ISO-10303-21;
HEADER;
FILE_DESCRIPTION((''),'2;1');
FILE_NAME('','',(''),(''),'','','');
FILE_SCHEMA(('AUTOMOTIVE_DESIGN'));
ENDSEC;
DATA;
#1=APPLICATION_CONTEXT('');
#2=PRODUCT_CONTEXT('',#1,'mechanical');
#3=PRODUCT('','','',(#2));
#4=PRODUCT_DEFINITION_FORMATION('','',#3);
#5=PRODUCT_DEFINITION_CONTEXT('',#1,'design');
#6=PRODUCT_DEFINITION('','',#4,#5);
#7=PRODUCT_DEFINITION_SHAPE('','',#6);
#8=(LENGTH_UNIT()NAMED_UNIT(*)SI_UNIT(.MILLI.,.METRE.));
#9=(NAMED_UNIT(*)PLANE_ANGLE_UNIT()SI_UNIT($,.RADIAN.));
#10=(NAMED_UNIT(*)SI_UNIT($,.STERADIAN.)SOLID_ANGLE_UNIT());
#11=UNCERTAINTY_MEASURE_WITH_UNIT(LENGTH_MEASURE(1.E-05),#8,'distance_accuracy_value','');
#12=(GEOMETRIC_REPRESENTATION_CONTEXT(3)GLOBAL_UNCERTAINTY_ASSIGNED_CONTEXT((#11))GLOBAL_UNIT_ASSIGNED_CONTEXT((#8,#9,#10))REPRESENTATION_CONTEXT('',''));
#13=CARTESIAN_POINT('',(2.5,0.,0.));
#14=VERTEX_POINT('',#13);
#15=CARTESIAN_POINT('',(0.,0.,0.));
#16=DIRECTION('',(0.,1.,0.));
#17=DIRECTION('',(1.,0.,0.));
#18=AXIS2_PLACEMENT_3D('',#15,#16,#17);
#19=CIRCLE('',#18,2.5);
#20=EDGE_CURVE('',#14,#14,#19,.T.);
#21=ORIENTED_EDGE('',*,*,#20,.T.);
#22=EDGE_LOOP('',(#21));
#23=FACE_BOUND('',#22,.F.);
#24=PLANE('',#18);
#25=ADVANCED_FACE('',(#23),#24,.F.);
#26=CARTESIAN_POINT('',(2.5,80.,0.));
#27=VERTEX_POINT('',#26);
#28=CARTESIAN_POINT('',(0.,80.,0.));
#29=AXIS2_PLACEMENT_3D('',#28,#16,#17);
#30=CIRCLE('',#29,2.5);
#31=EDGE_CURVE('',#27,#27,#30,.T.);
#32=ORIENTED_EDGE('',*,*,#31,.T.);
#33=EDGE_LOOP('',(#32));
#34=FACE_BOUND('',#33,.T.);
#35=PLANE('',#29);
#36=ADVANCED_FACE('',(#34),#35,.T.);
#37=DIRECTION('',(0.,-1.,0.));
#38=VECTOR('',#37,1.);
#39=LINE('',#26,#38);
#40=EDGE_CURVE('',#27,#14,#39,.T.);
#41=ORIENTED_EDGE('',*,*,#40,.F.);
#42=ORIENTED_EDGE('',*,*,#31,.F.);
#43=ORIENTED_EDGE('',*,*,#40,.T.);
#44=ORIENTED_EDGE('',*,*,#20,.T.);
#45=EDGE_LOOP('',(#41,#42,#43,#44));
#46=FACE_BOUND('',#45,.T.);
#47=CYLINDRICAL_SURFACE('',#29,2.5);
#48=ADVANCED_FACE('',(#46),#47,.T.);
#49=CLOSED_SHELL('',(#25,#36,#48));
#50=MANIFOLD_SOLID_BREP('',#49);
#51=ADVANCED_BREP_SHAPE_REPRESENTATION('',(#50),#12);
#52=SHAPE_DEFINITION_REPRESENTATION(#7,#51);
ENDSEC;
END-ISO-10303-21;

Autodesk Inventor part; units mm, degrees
ref_plane "YZ Plane" through (0, 0, 0) normal (1, 0, 0) x (0, 1, 0)
ref_plane "XZ Plane" through (0, 0, 0) normal (0, 1, 0) x (-1, 0, 0)
ref_plane "XY Plane" through (0, 0, 0) normal (0, 0, 1) x (1, 0, 0)
sketch "Sketch1" plane through (0, 0, 0) normal (0, 1, 0) x (-1, 0, 0)
  circle A0 centre (0, 0) radius 5
  dimension "d0" = 10
extrude "Extrusion1" add sketch "Sketch1" along normal blind 80
sketch "Sketch2" plane through (0, 0, 0) normal (0, 0, 1) x (1, 0, 0)
  circle A0 centre (0, 20) radius 1
  point P0 (0, 0)
  dimension "d3" = 2
extrude "Extrusion2" add sketch "Sketch2" against normal mid plane 10
sketch "Sketch3" plane through (0, 80, 0) normal (0, 1, 0) x (1, 0, 0)
  circle A0 centre (0, 0) radius 2.5
  dimension "d6" = 5
extrude "Extrusion3" cut sketch "Sketch3" against normal through all keep common part
